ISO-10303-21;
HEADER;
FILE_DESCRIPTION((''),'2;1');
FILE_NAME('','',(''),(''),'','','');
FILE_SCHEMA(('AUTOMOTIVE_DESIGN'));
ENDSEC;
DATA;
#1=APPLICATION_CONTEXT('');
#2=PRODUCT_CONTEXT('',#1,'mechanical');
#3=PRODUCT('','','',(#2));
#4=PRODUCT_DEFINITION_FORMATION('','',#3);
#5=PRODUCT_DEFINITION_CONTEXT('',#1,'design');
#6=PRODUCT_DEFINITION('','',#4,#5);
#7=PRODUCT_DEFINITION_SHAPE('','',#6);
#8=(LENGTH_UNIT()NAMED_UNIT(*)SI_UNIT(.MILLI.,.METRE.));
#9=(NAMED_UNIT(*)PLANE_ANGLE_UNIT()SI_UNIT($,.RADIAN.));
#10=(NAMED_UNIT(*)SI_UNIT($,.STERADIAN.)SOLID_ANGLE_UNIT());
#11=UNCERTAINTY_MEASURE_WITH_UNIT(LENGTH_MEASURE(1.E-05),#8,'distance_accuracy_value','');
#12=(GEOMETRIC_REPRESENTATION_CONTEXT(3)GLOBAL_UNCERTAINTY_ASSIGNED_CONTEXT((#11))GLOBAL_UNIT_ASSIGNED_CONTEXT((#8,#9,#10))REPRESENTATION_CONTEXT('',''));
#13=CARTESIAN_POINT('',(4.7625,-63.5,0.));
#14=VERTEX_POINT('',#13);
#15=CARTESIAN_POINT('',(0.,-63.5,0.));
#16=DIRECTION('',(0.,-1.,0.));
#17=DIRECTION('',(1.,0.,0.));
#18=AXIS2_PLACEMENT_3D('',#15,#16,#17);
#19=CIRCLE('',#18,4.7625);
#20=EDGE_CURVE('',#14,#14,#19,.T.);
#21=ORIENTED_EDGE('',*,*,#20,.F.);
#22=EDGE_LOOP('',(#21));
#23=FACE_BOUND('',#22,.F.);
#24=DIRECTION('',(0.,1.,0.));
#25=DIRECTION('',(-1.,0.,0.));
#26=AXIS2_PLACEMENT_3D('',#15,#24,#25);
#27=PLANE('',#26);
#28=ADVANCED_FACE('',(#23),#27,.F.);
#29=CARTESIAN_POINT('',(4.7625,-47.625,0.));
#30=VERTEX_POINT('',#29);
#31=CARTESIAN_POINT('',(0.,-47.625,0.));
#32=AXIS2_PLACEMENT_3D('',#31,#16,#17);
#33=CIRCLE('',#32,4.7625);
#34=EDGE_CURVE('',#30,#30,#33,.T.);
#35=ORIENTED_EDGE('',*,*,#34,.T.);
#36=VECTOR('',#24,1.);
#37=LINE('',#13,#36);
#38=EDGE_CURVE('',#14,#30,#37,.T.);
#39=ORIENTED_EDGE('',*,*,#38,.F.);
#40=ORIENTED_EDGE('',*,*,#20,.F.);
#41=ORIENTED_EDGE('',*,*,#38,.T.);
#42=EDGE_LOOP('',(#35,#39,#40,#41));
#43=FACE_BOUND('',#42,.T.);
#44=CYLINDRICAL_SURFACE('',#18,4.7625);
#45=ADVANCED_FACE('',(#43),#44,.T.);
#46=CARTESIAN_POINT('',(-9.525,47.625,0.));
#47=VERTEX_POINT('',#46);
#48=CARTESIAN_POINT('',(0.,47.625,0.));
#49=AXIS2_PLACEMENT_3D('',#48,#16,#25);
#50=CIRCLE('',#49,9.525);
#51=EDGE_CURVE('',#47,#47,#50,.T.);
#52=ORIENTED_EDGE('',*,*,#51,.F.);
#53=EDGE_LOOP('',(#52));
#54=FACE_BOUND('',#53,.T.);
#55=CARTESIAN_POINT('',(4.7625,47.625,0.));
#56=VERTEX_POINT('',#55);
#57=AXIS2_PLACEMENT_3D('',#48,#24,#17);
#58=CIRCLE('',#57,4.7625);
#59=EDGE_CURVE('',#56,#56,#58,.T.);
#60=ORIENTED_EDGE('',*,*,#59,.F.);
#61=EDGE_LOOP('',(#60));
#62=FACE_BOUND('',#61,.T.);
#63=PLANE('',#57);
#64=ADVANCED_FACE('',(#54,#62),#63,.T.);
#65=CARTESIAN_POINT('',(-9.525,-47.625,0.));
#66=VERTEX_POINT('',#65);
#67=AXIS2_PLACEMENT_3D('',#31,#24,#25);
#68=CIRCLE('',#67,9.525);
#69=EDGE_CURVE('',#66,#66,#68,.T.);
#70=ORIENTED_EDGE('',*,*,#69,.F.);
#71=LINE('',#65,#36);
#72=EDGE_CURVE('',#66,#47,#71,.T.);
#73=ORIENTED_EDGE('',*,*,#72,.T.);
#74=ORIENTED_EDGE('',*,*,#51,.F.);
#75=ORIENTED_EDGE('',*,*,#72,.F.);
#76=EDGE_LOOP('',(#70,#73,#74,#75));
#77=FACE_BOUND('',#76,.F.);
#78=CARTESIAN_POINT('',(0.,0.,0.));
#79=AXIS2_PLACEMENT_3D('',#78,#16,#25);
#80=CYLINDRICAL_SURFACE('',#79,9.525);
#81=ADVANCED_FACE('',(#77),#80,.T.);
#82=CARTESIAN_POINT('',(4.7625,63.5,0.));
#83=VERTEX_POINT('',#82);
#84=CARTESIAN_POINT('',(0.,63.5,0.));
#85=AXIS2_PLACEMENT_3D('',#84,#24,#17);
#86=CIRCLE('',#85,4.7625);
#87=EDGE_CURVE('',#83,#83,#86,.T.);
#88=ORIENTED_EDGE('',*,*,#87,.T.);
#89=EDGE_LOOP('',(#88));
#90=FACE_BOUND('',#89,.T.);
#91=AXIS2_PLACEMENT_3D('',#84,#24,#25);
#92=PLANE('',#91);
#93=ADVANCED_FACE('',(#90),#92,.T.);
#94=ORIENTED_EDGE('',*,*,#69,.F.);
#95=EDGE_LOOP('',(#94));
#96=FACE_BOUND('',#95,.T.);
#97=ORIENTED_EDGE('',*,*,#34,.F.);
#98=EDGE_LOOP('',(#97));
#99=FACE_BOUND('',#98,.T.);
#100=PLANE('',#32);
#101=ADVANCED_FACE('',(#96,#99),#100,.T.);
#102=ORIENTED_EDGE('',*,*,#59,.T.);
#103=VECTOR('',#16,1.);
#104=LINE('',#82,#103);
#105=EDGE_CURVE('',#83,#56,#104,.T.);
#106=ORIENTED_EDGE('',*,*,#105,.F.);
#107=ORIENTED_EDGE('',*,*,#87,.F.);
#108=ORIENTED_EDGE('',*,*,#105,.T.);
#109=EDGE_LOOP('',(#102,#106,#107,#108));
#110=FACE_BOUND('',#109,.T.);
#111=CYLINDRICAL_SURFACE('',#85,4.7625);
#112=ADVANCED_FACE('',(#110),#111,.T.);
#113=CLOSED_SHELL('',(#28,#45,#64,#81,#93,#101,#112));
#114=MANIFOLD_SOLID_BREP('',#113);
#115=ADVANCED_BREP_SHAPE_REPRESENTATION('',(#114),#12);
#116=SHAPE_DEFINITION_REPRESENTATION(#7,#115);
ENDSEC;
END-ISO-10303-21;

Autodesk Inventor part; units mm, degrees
ref_plane "YZ Plane" through (0, 0, 0) normal (1, 0, 0) x (0, 1, 0)
ref_plane "XZ Plane" through (0, 0, 0) normal (0, 1, 0) x (-1, 0, 0)
ref_plane "XY Plane" through (0, 0, 0) normal (0, 0, 1) x (1, 0, 0)
sketch "Sketch1" plane through (0, 0, 0) normal (0, 1, 0) x (-1, 0, 0)
  circle A0 centre (0, 0) radius 9.525
  dimension "d0" = 19.05
extrude "Extrusion1" add sketch "Sketch1" along normal mid plane 127
sketch "Sketch2" plane through (0, 63.5, 0) normal (0, 1, 0) x (1, 0, 0)
  circle A0 centre (0, 0) radius 9.525
  circle A1 centre (0, 0) radius 4.7625
  dimension "d3" = 9.525
  dimension "d4" = 19.05
extrude "Extrusion2" cut sketch "Sketch2" against normal blind 15.875
sketch "Sketch3" plane through (0, -63.5, 0) normal (0, -1, 0) x (1, 0, 0)
  circle A0 centre (0, 0) radius 4.7625
  circle A1 centre (0, 0) radius 9.525
  dimension "d7" = 9.525
extrude "Extrusion3" cut sketch "Sketch3" against normal blind 15.875
properties part number "drum" material "Aluminum 6061"
